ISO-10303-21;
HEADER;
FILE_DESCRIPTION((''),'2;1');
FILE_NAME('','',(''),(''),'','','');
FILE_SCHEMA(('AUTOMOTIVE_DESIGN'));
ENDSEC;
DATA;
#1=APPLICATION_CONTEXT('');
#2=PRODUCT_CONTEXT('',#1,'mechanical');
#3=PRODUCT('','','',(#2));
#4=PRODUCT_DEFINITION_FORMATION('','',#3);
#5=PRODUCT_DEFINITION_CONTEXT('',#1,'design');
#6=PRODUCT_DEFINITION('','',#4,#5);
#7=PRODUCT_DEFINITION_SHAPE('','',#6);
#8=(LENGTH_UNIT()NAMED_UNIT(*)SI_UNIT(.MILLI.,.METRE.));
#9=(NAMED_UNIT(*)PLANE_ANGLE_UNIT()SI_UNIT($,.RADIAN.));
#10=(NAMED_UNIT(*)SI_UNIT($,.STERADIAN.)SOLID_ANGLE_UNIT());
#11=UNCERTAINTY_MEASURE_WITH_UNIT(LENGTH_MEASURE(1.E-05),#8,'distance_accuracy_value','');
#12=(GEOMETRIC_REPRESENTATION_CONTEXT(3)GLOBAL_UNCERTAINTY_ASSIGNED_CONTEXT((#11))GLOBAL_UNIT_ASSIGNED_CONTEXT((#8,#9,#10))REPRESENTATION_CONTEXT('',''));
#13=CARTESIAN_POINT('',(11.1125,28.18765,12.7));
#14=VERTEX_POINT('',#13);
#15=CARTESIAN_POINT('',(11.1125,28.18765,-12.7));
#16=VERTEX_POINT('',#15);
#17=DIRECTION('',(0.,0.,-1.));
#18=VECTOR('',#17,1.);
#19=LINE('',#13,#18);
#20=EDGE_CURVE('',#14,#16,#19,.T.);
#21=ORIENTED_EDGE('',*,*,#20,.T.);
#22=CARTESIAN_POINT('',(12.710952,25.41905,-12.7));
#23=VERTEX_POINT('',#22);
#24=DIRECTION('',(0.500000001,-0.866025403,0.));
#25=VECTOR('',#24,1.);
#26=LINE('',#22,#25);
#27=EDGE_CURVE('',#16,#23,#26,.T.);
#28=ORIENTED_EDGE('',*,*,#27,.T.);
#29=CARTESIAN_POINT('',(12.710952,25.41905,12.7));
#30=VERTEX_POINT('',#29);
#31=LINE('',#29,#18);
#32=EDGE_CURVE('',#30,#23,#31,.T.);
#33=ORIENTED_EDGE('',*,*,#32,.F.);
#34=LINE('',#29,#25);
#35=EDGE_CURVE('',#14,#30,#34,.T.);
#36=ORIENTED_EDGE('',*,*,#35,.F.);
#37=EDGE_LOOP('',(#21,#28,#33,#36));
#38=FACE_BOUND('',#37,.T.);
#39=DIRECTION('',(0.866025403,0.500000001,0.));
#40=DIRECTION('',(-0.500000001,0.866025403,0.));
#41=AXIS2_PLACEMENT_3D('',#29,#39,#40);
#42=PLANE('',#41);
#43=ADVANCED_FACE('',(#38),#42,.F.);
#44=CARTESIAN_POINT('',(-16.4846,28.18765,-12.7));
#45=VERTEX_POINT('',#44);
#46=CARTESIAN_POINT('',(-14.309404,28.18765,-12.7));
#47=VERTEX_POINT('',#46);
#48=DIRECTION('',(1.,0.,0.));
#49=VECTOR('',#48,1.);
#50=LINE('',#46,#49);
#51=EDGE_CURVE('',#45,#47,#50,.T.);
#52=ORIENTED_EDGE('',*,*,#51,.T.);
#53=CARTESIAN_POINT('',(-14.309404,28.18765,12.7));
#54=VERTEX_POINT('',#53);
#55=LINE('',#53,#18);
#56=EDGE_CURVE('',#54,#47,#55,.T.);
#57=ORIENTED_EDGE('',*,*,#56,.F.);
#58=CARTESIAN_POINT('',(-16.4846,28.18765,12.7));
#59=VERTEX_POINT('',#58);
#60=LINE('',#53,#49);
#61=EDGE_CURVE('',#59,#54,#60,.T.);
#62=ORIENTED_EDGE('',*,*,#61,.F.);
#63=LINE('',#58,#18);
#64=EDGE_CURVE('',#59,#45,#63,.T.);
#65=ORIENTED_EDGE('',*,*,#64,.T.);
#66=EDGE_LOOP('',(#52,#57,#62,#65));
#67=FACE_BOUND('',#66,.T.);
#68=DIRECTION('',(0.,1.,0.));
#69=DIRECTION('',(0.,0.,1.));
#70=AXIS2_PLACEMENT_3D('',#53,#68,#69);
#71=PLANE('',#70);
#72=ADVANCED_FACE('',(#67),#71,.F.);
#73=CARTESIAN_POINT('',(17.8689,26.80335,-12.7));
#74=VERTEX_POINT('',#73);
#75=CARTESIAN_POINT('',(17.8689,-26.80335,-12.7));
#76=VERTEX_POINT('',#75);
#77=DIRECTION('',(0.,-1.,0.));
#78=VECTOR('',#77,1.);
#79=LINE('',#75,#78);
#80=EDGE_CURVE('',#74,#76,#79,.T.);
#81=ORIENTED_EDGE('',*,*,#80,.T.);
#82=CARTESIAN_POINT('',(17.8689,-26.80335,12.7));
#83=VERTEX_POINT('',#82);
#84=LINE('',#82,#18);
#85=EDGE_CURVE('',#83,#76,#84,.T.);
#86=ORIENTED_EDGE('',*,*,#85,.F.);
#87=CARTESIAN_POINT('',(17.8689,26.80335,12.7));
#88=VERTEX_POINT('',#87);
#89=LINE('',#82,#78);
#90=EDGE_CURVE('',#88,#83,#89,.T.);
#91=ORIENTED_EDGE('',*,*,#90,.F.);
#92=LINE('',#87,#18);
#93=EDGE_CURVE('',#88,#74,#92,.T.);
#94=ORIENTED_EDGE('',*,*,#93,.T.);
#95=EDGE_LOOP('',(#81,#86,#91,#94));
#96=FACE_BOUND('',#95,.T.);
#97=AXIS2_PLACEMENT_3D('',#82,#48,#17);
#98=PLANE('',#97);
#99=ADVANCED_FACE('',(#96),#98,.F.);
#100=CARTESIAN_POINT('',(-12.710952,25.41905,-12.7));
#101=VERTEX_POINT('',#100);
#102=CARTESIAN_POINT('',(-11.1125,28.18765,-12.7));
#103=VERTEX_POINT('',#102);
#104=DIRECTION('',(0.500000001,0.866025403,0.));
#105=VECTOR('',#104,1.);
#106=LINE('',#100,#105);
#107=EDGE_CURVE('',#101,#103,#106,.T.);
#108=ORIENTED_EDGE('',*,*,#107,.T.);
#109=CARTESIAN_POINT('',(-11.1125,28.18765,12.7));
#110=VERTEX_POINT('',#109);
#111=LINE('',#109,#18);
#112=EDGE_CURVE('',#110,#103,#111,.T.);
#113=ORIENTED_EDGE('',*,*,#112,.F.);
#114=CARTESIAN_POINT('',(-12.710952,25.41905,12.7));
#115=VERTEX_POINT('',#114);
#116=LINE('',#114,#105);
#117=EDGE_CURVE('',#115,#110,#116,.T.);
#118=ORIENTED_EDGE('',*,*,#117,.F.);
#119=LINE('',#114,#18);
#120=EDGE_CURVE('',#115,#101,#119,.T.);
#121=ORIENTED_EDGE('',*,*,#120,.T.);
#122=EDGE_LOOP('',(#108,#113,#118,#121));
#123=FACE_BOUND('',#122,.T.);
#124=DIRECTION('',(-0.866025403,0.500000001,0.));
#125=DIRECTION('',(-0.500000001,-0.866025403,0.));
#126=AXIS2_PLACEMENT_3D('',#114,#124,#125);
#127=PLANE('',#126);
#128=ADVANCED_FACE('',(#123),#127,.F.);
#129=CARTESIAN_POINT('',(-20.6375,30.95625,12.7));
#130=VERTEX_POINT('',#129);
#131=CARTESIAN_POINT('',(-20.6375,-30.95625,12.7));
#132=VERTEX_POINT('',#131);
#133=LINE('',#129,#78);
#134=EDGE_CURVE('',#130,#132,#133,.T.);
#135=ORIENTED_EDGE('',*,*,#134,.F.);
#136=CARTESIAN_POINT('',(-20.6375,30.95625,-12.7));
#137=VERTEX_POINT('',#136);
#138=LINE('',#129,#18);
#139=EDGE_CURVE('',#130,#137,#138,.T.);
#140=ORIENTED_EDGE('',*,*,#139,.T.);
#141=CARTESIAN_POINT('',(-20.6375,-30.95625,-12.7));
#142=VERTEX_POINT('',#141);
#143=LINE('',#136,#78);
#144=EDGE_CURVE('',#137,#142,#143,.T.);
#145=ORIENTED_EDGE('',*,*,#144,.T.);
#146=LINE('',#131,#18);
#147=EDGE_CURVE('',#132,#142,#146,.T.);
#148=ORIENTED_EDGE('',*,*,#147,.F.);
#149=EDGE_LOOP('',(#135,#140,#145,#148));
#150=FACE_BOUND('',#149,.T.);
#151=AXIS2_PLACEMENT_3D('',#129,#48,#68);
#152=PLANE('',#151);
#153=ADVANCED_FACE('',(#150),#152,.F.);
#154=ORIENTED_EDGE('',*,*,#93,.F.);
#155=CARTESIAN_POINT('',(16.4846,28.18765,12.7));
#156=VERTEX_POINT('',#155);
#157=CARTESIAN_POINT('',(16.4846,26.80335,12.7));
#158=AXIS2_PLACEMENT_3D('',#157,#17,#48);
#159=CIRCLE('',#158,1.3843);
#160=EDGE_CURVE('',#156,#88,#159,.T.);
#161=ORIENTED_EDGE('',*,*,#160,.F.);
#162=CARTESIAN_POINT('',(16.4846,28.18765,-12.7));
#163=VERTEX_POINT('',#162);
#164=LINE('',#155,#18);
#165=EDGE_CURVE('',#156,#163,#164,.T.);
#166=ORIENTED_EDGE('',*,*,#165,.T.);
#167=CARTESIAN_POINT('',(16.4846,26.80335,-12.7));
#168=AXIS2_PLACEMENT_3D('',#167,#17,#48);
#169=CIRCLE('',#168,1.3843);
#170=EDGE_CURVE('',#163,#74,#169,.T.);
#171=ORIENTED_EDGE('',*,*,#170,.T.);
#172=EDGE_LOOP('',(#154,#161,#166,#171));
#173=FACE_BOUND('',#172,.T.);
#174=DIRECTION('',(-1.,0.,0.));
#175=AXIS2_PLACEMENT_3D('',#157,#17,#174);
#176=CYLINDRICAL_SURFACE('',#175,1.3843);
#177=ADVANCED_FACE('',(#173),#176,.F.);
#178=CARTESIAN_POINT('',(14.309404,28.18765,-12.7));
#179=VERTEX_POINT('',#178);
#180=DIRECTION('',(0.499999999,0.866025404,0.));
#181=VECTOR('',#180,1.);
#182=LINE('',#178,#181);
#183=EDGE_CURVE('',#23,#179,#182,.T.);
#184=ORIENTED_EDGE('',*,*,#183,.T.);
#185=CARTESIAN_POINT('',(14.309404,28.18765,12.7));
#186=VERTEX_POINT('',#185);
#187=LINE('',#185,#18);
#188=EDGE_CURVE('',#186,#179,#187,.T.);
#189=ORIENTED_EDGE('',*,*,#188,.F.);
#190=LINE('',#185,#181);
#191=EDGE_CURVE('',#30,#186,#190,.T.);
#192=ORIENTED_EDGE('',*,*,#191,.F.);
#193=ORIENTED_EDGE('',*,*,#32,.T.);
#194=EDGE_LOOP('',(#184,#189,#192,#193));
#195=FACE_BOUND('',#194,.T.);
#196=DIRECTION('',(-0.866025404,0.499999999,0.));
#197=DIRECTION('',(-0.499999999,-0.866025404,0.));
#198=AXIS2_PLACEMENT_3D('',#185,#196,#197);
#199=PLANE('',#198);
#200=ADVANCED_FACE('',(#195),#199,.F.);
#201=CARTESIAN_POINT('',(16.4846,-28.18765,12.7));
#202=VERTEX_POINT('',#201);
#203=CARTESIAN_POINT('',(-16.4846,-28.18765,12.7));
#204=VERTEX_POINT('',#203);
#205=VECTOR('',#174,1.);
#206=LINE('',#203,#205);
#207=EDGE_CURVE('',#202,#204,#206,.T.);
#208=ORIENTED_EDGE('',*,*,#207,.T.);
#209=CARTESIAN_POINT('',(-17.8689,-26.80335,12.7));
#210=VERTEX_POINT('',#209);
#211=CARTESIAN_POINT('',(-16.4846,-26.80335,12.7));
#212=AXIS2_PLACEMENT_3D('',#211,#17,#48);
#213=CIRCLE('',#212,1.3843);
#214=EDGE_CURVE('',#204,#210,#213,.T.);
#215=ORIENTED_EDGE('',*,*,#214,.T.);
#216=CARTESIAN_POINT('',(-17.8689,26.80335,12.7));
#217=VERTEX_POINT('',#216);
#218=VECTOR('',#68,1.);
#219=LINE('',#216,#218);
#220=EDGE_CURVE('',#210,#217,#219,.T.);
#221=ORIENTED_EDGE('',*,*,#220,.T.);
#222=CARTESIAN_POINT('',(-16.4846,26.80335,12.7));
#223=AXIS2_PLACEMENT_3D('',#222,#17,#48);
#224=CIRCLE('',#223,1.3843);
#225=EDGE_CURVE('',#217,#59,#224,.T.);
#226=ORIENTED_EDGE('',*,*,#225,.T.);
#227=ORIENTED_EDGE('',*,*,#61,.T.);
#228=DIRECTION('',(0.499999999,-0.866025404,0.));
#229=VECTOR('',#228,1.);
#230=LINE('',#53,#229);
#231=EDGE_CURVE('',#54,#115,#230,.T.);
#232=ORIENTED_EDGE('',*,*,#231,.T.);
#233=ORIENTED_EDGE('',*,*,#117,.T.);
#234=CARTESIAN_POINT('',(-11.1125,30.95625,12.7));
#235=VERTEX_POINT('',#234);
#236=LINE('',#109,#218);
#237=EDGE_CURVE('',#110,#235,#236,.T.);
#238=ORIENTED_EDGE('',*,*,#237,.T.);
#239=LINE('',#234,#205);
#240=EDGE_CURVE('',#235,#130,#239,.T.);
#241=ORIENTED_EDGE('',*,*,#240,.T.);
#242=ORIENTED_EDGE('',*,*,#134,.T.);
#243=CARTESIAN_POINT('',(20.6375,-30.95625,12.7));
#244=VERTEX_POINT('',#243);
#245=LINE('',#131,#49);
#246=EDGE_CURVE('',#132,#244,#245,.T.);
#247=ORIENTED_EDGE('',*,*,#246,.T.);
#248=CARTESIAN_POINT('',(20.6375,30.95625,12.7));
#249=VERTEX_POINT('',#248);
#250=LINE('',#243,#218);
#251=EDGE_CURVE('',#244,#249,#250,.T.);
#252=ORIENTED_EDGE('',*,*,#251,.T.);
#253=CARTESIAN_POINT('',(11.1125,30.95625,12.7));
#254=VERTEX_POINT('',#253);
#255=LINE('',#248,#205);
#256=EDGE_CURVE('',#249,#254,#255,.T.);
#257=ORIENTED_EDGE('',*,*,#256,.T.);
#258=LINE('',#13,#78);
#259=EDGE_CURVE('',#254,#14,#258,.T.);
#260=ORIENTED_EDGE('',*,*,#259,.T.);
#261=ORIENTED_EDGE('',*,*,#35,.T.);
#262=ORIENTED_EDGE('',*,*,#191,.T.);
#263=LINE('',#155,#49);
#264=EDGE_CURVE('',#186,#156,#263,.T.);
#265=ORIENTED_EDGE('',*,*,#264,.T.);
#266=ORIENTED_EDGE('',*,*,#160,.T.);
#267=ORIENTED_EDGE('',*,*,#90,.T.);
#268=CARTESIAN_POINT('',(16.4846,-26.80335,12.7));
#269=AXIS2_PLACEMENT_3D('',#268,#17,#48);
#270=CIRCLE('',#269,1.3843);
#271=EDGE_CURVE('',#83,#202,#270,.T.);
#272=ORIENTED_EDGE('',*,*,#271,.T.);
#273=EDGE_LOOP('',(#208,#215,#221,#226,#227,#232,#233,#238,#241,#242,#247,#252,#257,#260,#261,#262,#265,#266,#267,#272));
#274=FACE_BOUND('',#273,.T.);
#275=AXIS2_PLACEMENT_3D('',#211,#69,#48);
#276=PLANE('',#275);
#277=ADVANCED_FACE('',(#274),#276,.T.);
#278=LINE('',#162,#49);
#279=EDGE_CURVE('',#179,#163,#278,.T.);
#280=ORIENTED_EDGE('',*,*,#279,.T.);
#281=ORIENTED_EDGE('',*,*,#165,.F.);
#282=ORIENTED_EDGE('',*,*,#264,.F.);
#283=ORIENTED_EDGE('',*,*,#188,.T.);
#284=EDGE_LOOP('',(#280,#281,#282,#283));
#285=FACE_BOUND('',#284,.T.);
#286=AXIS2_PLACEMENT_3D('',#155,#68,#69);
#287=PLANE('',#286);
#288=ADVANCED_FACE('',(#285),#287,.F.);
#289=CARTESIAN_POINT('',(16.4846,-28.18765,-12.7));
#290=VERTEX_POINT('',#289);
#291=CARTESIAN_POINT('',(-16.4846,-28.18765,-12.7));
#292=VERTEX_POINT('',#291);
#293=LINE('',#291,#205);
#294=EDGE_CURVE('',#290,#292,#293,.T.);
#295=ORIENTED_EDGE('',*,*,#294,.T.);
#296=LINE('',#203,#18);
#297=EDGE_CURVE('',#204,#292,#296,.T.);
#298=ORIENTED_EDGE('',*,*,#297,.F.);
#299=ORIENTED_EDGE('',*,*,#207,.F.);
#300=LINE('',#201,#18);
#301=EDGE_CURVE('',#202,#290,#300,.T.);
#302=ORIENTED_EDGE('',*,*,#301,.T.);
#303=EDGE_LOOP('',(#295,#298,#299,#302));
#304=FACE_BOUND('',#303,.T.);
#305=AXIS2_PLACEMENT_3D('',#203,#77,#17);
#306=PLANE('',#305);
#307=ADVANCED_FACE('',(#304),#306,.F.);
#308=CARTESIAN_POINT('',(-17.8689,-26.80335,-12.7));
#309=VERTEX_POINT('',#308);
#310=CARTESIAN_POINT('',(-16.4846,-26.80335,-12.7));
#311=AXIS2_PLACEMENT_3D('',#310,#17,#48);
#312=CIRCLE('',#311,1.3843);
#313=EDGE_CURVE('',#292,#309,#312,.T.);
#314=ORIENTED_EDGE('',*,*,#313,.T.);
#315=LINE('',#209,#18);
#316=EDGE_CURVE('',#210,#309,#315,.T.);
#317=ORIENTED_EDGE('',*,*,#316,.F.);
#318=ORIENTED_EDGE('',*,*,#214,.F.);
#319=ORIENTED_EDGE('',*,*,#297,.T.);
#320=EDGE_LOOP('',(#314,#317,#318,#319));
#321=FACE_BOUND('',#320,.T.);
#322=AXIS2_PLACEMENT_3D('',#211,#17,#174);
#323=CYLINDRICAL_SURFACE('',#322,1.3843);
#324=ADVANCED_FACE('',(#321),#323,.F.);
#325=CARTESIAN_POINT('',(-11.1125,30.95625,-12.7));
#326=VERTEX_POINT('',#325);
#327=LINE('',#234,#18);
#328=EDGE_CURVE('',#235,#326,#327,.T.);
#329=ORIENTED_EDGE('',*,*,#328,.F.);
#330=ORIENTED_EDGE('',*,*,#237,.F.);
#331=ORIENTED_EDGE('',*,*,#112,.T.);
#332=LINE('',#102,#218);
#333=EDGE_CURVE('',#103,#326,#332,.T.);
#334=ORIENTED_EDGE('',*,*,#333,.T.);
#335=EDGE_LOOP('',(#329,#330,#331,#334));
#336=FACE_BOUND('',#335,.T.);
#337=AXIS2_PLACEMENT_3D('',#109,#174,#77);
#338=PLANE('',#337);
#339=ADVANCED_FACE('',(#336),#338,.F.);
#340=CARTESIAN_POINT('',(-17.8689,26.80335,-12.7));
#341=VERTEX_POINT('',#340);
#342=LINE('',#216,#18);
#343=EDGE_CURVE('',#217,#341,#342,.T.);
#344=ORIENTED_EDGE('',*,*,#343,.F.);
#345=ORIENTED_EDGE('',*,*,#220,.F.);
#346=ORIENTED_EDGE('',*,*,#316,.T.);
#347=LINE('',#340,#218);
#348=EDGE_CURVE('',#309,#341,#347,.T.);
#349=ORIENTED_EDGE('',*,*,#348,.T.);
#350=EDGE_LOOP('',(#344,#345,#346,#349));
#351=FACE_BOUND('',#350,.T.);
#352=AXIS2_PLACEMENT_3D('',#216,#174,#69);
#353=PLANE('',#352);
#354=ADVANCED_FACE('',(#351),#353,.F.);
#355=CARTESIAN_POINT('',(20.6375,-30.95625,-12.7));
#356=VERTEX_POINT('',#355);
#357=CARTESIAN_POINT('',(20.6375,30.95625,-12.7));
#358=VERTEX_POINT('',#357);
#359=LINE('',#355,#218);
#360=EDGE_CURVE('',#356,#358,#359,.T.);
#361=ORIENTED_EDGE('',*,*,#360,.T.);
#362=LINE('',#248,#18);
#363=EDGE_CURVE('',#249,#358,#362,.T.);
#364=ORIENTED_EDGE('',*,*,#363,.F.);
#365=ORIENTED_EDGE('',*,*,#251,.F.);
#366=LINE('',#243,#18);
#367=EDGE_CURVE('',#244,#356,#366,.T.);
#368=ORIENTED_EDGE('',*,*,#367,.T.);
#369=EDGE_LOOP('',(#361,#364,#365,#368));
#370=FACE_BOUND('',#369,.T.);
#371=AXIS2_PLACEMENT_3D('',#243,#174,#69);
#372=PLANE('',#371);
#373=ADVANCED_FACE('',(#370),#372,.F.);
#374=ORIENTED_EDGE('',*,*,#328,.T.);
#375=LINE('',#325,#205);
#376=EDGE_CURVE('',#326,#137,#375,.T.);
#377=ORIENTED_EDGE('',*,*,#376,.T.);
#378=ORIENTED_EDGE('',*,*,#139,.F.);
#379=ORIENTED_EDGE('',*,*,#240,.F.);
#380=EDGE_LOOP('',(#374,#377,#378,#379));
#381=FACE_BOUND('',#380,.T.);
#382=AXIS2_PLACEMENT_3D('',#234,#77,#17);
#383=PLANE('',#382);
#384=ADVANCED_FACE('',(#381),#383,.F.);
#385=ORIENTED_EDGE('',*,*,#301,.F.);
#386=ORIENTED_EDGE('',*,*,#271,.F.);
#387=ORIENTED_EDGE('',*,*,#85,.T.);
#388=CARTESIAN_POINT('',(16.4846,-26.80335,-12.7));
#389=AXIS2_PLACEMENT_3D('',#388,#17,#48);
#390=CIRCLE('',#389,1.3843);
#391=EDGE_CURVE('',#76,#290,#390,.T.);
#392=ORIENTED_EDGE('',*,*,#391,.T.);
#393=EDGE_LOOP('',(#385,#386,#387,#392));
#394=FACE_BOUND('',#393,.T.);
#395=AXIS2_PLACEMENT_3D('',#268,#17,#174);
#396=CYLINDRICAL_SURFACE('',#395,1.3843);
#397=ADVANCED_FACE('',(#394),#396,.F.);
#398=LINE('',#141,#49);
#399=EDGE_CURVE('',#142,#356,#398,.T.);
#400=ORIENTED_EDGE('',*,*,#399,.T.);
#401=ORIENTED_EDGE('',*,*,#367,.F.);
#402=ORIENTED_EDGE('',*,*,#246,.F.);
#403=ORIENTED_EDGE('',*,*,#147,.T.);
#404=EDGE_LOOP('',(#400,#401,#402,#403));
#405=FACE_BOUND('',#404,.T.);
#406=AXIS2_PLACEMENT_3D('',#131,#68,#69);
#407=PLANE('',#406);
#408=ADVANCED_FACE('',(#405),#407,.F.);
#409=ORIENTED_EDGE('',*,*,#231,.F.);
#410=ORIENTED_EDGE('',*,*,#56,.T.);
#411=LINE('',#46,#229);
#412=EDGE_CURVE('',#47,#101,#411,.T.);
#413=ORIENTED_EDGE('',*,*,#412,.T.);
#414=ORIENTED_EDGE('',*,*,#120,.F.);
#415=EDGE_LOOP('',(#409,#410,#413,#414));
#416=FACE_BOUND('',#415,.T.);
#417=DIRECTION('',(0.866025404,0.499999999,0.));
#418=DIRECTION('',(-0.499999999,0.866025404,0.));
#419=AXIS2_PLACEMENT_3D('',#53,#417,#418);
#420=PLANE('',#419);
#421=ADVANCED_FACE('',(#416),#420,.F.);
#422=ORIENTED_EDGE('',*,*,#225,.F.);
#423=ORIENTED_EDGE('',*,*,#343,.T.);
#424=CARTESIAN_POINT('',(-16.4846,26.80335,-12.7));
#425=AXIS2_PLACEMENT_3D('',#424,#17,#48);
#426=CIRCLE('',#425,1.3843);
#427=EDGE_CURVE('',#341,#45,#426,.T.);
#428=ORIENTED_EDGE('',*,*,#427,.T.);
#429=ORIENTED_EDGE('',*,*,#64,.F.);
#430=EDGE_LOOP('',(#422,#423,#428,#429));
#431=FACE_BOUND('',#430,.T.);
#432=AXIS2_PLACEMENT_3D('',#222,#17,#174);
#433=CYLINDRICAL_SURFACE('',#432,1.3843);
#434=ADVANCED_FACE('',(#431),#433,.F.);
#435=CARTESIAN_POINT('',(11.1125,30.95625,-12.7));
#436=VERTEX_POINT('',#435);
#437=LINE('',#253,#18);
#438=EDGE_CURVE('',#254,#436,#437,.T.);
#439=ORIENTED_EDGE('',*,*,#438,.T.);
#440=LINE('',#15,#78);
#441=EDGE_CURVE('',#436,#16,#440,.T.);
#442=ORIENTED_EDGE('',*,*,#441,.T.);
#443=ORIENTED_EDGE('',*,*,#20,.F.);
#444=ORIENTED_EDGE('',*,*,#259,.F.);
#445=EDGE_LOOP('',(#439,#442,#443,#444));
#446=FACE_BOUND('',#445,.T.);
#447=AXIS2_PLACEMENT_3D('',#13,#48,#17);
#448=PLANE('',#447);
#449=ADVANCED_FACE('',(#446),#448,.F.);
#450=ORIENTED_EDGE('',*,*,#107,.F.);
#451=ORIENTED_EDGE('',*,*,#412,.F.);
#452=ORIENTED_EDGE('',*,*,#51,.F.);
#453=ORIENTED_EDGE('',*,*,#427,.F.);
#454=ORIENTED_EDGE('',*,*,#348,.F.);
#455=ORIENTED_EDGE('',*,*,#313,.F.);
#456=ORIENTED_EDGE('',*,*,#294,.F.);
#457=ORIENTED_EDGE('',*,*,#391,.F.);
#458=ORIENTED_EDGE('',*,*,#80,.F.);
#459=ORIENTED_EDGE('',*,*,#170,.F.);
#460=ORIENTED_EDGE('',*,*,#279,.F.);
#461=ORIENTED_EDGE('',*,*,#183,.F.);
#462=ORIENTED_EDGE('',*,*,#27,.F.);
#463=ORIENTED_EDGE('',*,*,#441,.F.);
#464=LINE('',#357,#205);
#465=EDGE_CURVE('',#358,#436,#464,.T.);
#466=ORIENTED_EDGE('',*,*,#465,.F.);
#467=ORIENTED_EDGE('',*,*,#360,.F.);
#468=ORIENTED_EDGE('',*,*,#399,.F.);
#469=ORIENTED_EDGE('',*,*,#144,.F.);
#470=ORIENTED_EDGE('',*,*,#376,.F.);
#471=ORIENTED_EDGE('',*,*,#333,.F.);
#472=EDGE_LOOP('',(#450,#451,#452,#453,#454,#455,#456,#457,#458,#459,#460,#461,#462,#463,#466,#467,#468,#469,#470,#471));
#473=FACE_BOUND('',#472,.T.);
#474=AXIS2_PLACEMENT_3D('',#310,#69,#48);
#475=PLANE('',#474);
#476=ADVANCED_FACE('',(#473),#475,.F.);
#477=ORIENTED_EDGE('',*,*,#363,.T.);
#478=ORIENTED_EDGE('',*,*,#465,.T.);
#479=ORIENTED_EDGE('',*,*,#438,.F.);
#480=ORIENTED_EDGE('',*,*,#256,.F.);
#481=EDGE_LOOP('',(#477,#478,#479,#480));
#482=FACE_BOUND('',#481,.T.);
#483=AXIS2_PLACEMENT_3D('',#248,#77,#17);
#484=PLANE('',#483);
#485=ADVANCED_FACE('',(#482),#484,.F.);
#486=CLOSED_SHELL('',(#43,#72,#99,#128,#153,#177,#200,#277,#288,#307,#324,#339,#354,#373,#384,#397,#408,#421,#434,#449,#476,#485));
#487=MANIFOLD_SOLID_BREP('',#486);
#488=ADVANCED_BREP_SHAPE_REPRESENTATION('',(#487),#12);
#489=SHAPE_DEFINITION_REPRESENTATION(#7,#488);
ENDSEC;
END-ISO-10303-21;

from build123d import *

# Parameters (mm, degrees)
BASE_EXTRUDE_DEPTH = 12.7


with BuildPart() as part:
    # Sketch1 → Base-Extrude (new, symmetric)
    with BuildSketch(Plane.XY):
        with BuildLine():
            Line((-11.1125, 30.95625), (-20.6375, 30.95625))
            Line((-20.6375, 30.95625), (-20.6375, -30.95625))
            Line((-20.6375, -30.95625), (20.6375, -30.95625))
            Line((20.6375, -30.95625), (20.6375, 30.95625))
            Line((20.6375, 30.95625), (11.1125, 30.95625))
            Line((11.1125, 30.95625), (11.1125, 28.18765))
            Line((11.1125, 28.18765), (12.710951958, 25.41905))
            Line((12.710951958, 25.41905), (14.309403911, 28.18765))
            Line((14.309403911, 28.18765), (16.4846, 28.18765))
            ThreePointArc((16.4846, 28.18765), (17.463447917, 27.782197917), (17.8689, 26.80335))
            Line((17.8689, 26.80335), (17.8689, -26.80335))
            ThreePointArc((17.8689, -26.80335), (17.463447917, -27.782197917), (16.4846, -28.18765))
            Line((16.4846, -28.18765), (-16.4846, -28.18765))
            ThreePointArc((-16.4846, -28.18765), (-17.463447917, -27.782197917), (-17.8689, -26.80335))
            Line((-17.8689, -26.80335), (-17.8689, 26.80335))
            ThreePointArc((-17.8689, 26.80335), (-17.463447917, 27.782197917), (-16.4846, 28.18765))
            Line((-16.4846, 28.18765), (-14.309403911, 28.18765))
            Line((-14.309403911, 28.18765), (-12.710951958, 25.41905))
            Line((-12.710951958, 25.41905), (-11.1125, 28.18765))
            Line((-11.1125, 28.18765), (-11.1125, 30.95625))
        make_face()
    extrude(amount=BASE_EXTRUDE_DEPTH, both=True)


solid = part.part
